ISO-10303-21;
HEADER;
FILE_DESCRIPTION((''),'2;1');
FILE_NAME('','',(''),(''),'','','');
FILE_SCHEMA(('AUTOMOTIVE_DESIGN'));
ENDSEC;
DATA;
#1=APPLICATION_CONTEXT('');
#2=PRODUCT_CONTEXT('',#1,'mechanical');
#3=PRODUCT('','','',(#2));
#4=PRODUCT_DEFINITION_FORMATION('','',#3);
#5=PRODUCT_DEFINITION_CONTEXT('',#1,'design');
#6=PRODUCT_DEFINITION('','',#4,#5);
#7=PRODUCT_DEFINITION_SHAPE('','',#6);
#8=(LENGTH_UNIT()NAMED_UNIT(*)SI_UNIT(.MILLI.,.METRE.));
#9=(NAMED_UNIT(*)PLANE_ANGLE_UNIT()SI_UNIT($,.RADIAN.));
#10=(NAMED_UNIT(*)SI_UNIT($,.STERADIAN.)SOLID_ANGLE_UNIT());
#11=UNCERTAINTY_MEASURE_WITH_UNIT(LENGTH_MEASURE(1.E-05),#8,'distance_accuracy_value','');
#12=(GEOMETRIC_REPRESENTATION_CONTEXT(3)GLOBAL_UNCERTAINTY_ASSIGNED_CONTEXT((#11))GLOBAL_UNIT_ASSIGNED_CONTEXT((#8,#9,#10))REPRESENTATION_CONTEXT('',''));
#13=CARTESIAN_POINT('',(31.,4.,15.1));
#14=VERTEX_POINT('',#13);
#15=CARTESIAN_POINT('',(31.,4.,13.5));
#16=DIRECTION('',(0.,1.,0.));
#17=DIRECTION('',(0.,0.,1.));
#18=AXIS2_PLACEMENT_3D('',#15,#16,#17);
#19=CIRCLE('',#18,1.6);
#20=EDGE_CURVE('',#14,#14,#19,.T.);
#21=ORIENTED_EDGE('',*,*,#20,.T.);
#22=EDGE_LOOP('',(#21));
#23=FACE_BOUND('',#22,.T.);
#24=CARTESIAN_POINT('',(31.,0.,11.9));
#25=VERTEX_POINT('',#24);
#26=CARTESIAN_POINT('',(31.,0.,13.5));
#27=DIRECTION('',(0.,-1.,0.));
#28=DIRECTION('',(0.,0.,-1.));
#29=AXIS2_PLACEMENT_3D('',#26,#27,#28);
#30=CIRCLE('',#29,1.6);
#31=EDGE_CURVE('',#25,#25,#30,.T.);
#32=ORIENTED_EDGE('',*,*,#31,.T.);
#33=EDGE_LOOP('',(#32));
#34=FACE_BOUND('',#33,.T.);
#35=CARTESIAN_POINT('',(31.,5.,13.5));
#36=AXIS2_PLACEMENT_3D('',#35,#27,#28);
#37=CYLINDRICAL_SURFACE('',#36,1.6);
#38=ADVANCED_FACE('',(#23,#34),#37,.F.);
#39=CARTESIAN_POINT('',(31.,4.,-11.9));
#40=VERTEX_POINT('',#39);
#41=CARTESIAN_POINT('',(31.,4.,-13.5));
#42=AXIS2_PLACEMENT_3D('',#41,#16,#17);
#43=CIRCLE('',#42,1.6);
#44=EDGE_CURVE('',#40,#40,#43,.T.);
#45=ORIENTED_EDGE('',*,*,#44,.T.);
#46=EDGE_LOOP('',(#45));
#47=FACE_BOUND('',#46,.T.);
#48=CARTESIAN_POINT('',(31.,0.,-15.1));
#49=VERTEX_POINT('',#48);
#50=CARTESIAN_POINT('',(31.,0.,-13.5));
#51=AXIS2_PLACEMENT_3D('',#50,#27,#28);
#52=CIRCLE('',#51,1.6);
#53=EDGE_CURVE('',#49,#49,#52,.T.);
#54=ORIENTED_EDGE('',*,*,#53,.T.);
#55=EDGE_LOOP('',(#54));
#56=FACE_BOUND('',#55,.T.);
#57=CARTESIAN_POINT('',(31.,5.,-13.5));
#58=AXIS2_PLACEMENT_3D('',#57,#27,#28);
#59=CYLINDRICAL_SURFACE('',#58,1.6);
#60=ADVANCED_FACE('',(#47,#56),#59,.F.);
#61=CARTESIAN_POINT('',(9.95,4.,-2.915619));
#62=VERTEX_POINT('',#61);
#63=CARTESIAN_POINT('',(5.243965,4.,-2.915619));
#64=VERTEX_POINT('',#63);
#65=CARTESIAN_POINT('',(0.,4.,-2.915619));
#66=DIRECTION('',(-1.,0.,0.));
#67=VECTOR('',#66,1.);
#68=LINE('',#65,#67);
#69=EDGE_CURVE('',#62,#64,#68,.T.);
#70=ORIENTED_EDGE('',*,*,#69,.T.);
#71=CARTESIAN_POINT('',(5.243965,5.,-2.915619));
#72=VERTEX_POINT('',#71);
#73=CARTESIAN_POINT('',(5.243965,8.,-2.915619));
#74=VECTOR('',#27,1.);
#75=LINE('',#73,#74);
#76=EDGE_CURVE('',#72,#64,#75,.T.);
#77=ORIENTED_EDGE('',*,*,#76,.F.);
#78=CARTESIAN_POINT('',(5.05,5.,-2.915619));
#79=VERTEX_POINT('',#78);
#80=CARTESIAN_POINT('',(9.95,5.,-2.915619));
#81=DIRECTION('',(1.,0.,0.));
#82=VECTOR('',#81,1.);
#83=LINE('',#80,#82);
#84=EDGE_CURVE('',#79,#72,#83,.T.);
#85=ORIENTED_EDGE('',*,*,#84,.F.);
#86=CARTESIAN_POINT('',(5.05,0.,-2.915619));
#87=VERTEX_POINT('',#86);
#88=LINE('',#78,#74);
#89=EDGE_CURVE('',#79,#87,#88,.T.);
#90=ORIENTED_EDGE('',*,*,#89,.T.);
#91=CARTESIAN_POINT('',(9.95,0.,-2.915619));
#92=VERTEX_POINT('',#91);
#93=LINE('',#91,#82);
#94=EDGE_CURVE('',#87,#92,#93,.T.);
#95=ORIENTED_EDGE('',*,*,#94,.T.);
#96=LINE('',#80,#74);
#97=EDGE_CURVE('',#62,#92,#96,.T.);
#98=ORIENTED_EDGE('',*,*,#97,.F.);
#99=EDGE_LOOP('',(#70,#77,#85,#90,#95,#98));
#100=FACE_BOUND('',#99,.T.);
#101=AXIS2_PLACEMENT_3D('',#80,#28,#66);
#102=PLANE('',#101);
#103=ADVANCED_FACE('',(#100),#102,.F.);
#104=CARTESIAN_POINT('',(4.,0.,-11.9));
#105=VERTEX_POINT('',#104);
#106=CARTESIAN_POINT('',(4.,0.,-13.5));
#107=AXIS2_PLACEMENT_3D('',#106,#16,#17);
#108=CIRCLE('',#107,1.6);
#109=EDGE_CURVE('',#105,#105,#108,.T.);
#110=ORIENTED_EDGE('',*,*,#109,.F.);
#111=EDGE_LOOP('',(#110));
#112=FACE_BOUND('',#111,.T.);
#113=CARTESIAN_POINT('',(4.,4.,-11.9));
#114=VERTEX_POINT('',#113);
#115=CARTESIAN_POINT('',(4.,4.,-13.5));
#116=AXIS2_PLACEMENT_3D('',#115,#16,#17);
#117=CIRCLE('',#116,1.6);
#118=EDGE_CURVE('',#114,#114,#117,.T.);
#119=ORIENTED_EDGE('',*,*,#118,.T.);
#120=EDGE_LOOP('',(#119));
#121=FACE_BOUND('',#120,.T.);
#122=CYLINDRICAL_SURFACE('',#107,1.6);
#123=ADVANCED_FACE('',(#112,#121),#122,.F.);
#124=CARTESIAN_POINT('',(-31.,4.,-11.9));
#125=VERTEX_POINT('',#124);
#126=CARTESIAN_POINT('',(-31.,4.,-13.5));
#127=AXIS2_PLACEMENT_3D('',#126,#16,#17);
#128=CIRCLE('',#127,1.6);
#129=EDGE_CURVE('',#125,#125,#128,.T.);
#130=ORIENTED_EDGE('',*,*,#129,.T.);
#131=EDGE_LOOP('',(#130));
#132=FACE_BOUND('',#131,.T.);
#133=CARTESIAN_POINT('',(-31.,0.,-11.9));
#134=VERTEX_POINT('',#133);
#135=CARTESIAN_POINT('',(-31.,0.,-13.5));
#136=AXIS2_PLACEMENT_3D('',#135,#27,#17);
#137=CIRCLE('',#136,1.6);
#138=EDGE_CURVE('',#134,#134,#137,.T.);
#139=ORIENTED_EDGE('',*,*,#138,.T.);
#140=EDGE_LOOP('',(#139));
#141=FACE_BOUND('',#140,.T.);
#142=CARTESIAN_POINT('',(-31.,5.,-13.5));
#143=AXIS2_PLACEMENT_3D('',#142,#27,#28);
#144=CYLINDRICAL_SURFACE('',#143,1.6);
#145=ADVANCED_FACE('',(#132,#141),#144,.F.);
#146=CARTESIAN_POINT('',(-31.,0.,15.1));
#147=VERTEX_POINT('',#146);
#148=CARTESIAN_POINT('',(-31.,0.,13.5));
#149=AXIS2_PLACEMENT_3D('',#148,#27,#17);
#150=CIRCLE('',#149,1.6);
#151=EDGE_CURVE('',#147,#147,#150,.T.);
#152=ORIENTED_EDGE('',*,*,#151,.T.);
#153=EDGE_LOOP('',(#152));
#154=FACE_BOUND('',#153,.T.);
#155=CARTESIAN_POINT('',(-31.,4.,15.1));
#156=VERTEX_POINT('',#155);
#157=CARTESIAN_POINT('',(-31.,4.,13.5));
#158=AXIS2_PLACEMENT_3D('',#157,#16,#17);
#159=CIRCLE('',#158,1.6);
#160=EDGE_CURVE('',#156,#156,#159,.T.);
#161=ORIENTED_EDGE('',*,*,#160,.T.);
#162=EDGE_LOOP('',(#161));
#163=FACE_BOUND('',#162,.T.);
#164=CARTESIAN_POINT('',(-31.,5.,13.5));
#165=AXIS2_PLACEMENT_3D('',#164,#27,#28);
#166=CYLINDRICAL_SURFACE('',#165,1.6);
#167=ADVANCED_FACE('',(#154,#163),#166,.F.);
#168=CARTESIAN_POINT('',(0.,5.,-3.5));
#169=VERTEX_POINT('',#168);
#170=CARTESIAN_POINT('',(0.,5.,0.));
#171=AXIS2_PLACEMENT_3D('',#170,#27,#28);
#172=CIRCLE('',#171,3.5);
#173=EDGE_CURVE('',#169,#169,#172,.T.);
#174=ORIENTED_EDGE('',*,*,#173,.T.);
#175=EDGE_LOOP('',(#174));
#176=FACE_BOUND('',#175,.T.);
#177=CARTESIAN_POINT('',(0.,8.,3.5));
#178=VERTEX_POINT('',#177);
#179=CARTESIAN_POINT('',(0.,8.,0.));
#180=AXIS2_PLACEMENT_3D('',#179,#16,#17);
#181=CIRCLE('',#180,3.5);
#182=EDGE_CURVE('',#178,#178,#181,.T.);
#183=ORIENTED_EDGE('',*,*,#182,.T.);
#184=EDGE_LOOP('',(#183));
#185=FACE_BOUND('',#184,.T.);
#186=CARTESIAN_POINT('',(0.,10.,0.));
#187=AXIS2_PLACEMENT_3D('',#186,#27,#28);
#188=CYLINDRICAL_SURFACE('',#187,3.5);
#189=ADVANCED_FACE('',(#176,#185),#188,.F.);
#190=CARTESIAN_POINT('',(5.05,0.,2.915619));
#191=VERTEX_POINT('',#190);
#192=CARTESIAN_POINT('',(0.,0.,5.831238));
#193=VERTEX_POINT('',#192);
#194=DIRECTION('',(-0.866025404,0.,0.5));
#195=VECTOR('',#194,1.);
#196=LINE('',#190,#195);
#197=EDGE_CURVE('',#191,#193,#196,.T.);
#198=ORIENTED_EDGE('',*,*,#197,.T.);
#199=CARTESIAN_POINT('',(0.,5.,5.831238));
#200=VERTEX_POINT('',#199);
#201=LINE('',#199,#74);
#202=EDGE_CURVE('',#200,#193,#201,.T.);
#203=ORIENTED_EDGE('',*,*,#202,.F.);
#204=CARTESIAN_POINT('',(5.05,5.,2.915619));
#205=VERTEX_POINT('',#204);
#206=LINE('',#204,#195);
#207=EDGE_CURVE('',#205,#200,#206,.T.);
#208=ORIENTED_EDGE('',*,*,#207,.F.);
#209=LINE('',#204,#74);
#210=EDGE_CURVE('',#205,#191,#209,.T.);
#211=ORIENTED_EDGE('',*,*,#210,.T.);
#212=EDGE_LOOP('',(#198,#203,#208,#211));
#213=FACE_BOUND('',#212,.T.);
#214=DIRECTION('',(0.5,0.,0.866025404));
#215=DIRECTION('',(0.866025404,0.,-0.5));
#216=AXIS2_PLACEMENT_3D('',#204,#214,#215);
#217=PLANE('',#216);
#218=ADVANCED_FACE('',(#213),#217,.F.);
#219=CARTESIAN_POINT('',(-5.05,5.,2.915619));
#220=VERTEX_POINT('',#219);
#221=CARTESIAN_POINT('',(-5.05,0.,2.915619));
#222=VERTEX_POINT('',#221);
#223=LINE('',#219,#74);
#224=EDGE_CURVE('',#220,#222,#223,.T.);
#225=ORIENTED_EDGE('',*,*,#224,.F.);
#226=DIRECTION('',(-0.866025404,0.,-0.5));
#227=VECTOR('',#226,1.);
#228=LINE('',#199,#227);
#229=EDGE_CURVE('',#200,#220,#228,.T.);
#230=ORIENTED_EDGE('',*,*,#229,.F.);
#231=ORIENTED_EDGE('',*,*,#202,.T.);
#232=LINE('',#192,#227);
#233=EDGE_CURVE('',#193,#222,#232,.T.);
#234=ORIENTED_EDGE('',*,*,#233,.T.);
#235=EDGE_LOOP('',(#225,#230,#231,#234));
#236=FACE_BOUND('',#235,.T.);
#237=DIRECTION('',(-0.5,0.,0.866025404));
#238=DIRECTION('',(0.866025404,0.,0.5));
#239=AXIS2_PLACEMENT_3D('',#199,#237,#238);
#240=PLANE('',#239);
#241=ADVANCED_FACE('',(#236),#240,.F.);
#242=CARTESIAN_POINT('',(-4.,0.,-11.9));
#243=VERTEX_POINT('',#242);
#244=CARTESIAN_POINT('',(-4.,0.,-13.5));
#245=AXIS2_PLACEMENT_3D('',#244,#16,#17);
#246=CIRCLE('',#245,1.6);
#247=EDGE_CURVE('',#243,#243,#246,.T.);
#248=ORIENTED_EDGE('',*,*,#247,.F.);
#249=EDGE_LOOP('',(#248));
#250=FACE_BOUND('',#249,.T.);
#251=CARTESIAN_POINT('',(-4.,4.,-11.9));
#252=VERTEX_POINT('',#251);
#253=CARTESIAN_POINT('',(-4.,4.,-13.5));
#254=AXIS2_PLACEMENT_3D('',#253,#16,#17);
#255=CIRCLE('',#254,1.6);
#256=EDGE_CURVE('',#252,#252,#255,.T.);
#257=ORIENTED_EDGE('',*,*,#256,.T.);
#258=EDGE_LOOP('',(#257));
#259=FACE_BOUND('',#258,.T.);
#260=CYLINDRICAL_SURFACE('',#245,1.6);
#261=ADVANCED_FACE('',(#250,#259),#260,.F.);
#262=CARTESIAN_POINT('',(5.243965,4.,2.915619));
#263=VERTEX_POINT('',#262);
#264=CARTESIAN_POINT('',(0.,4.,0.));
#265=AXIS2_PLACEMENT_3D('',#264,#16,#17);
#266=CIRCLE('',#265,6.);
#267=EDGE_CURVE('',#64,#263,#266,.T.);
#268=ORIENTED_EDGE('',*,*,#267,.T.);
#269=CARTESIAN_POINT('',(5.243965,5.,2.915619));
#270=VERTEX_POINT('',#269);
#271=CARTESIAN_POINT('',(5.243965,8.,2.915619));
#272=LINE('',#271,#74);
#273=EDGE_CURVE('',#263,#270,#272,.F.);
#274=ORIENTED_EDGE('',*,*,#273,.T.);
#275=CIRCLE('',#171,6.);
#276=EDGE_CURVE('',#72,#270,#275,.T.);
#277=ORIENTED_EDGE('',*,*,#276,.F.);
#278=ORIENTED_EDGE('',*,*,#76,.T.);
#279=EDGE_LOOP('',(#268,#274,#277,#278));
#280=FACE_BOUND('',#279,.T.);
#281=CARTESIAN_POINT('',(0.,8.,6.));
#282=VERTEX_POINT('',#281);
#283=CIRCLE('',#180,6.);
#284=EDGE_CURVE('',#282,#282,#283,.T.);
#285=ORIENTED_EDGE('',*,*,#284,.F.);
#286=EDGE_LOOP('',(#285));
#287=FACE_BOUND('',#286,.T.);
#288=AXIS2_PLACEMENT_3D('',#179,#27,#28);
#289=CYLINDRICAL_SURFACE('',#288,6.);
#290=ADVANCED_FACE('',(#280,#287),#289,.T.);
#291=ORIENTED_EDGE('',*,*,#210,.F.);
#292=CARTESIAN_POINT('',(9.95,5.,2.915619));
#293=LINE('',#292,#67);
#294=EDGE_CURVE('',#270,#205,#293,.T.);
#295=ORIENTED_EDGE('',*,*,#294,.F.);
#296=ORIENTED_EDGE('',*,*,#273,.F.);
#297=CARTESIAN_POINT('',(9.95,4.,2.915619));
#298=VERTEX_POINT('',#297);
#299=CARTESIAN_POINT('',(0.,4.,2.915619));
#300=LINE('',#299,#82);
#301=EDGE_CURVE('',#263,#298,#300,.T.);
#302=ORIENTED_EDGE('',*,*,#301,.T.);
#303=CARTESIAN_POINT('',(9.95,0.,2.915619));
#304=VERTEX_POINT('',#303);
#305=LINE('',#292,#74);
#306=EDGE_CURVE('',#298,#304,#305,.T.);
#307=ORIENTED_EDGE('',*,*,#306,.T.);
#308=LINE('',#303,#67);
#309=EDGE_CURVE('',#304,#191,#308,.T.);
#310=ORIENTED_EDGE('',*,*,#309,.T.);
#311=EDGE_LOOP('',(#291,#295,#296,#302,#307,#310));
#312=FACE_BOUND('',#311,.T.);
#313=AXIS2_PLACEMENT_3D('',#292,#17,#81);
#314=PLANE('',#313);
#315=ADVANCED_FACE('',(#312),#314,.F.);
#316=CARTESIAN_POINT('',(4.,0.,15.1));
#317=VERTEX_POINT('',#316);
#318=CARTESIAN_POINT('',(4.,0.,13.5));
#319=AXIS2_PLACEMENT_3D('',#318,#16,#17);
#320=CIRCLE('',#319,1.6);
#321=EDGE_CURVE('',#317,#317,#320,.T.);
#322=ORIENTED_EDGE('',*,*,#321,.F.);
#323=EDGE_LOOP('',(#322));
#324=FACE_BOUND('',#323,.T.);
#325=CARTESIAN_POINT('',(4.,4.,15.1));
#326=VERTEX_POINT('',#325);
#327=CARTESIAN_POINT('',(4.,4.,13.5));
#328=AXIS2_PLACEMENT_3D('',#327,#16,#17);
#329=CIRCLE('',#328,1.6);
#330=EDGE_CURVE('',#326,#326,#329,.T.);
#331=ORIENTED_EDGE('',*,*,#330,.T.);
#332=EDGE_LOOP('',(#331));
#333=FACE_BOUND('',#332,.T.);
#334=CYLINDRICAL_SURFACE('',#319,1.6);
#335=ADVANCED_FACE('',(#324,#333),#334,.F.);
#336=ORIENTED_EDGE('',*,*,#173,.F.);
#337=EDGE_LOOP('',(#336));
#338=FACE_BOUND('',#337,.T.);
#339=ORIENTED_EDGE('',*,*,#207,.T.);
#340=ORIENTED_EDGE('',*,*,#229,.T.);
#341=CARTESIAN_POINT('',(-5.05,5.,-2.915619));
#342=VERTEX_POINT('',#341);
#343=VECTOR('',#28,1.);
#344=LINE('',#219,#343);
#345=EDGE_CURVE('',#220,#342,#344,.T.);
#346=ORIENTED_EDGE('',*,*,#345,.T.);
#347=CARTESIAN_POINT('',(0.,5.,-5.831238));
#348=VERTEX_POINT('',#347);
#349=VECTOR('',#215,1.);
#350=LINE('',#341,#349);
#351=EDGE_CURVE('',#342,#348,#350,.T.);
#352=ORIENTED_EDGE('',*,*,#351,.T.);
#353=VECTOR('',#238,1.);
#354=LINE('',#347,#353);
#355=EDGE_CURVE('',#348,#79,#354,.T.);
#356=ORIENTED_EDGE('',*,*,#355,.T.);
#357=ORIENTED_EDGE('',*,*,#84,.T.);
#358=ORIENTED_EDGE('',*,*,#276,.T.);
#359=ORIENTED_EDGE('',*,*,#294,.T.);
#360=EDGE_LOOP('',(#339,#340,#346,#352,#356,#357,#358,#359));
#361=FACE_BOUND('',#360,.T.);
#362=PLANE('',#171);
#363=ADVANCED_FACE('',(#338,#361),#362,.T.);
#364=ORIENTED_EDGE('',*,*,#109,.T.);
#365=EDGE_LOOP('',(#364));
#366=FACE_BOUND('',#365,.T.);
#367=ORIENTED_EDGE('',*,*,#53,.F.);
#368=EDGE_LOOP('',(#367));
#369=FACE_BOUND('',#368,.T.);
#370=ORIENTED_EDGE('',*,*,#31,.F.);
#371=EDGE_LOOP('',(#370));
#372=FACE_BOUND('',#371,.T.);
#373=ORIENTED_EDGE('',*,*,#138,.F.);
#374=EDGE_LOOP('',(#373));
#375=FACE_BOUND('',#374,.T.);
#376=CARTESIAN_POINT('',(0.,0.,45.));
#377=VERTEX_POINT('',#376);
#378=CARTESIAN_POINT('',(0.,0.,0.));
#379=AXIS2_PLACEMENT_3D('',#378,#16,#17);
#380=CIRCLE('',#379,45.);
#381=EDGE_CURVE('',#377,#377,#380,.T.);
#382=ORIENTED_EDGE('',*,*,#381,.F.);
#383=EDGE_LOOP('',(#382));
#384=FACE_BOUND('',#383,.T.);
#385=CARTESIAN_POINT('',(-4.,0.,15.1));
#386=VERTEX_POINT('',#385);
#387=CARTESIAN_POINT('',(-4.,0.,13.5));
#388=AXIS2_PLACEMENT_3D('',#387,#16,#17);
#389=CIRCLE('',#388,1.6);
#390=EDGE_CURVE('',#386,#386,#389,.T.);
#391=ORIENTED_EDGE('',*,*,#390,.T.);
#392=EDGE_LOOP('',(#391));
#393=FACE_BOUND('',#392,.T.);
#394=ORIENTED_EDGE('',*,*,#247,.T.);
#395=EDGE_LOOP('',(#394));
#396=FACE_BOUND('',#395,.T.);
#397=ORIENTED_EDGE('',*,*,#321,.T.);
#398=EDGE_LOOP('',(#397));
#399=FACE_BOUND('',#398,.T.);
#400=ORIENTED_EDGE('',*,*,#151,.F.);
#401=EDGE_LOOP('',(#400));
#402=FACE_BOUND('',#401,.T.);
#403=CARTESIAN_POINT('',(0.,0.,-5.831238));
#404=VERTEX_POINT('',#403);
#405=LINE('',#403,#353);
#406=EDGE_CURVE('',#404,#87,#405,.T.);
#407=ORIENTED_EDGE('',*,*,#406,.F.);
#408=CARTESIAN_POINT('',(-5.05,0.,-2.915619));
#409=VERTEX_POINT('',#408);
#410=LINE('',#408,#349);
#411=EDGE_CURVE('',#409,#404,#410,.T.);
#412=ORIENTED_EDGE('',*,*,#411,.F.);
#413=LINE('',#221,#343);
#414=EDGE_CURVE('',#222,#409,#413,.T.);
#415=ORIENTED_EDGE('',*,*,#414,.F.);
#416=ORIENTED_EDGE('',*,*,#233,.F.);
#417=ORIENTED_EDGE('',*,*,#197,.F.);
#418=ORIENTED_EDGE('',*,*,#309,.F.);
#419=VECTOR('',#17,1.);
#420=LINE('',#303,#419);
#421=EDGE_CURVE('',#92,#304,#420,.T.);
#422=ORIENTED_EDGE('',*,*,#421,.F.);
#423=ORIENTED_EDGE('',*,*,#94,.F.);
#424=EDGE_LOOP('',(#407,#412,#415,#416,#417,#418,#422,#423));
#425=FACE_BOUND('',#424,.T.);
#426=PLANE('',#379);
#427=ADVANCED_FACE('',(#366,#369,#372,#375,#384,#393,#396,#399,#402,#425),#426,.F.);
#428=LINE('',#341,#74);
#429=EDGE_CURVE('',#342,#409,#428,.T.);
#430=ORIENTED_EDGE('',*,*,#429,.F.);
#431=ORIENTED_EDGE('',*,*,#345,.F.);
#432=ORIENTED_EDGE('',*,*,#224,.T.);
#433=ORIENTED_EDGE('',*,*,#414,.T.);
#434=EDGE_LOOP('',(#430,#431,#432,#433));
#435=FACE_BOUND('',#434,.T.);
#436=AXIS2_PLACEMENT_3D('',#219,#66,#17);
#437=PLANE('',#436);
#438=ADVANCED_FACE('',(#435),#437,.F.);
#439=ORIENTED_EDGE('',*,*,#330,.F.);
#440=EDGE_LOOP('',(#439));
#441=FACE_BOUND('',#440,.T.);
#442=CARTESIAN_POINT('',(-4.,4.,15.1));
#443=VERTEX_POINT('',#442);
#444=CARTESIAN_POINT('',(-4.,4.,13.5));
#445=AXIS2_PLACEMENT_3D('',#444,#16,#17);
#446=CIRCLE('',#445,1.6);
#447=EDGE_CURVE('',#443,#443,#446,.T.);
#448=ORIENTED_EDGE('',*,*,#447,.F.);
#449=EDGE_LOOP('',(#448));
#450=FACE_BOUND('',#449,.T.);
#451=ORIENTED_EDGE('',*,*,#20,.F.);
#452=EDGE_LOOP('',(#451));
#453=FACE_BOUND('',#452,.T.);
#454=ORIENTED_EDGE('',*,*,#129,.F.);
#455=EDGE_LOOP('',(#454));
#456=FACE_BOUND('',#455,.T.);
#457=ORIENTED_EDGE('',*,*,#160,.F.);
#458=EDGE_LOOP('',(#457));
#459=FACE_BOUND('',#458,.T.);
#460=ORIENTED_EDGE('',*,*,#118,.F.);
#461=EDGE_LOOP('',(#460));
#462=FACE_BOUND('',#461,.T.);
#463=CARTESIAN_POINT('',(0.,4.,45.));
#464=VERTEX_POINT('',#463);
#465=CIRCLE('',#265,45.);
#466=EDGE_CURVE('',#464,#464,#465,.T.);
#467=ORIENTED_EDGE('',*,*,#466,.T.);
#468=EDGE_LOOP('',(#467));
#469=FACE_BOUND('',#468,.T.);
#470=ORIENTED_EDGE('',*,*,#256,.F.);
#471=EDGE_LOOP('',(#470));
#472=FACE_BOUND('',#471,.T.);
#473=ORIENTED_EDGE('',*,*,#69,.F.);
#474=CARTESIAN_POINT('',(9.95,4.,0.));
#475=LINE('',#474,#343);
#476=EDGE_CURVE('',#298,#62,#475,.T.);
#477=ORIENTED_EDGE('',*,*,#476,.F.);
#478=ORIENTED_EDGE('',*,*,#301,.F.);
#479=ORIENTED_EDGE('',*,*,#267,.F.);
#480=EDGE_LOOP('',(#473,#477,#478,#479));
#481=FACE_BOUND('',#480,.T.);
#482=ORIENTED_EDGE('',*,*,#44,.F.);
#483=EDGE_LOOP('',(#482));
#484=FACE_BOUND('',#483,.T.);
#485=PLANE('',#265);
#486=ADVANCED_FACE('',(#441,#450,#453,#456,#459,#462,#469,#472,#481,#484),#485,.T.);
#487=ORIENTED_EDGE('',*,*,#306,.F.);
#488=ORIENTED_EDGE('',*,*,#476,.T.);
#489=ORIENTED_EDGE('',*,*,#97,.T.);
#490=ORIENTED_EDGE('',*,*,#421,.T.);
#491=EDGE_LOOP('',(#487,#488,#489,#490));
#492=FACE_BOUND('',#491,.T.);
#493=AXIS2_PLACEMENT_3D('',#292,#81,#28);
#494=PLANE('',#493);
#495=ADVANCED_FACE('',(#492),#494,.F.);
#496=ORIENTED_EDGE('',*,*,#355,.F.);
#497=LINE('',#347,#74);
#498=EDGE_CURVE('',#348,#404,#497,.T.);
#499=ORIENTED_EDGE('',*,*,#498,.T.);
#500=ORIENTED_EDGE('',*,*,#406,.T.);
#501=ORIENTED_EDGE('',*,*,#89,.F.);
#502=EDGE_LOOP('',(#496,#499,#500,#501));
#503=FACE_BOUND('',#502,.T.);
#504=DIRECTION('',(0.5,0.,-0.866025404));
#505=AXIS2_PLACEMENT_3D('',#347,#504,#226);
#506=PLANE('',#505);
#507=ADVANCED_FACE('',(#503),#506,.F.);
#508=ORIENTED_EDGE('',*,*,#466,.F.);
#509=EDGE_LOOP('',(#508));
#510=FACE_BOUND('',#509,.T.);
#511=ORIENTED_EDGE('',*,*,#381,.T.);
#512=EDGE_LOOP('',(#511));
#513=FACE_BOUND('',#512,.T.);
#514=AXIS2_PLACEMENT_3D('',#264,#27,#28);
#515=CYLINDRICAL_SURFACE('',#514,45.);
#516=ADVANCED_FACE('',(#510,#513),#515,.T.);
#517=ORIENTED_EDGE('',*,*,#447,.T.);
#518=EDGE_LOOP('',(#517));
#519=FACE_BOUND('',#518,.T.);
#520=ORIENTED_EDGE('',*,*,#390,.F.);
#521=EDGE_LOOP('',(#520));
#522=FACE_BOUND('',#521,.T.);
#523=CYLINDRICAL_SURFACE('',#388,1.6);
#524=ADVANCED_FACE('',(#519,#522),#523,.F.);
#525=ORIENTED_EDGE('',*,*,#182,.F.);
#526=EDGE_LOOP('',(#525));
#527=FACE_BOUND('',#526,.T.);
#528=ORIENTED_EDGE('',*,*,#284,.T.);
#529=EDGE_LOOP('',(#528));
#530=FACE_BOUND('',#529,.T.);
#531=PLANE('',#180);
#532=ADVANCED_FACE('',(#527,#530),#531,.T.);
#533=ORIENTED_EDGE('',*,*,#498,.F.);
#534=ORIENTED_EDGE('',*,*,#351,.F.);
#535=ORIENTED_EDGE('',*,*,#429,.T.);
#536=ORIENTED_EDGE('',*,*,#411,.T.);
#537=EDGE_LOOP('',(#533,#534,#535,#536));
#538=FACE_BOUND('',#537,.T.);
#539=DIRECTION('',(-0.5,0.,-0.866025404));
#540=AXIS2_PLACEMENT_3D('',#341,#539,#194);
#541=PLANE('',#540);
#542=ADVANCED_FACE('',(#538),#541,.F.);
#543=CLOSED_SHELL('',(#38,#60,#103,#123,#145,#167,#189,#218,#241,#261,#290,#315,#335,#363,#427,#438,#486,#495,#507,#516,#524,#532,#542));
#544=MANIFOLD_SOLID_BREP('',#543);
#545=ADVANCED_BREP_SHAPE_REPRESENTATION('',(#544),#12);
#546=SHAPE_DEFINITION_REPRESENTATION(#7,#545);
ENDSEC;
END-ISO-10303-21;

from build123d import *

# Parameters (mm, degrees)
SKETCH_1_R          = 45
EXTRUDE_1_DEPTH     = 4
SKETCH_13_R         = 6
EXTRUDE_5_DEPTH     = 4
SKETCH_15_R         = 1.6
CUT_EXTRUDE_5_DEPTH = 5
CUT_EXTRUDE_6_DEPTH = 5
SKETCH_20_R         = 3.5
CUT_EXTRUDE_7_DEPTH = 5
SKETCH_21_R         = 1.6
CUT_EXTRUDE_8_DEPTH = 5


with BuildPart() as part:
    # Эскиз1 → Бобышка-Вытянуть1 (new body)
    with BuildSketch(Plane(origin=(0, 0, 0), x_dir=(1, 0, 0), z_dir=(0, 1, 0))):
        Circle(SKETCH_1_R)
    extrude(amount=EXTRUDE_1_DEPTH)

    # Эскиз13 → Бобышка-Вытянуть5 (add)
    with BuildSketch(Plane(origin=(0, 4, 0), x_dir=(1, 0, 0), z_dir=(0, 1, 0))):
        Circle(SKETCH_13_R)
    extrude(amount=EXTRUDE_5_DEPTH)

    # Эскиз15 → Вырез-Вытянуть5 (cut, through all)
    with BuildSketch(Plane(origin=(0, 4, 0), x_dir=(1, 0, 0), z_dir=(0, 1, 0))):
        with Locations((-4, 13.5)):
            Circle(SKETCH_15_R)
        with Locations((-4, -13.5)):
            Circle(SKETCH_15_R)
        with Locations((4, -13.5)):
            Circle(SKETCH_15_R)
        with Locations((4, 13.5)):
            Circle(SKETCH_15_R)
    extrude(amount=-CUT_EXTRUDE_5_DEPTH, mode=Mode.SUBTRACT)

    # Эскиз19 → Вырез-Вытянуть6 (cut)
    with BuildSketch(Plane.XZ):
        Polygon((5.05, 2.915618859), (0, 5.831237719), (-5.05, 2.915618859), (-5.05, -2.915618859), (0, -5.831237719), (5.05, -2.915618859), (9.95, -2.915618859), (9.95, 2.915618859), align=None)
    extrude(amount=-CUT_EXTRUDE_6_DEPTH, mode=Mode.SUBTRACT)

    # Эскиз20 → Вырез-Вытянуть7 (cut)
    with BuildSketch(Plane.XZ.offset(-5)):
        Circle(SKETCH_20_R)
    extrude(amount=-CUT_EXTRUDE_7_DEPTH, mode=Mode.SUBTRACT)

    # Эскиз21 → Вырез-Вытянуть8 (cut)
    with BuildSketch(Plane.XZ):
        with Locations((4, 13.5)):
            Circle(SKETCH_21_R)
        with Locations((4, -13.5)):
            Circle(SKETCH_21_R)
        with Locations((31, 13.5)):
            Circle(SKETCH_21_R)
        with Locations((31, -13.5)):
            Circle(SKETCH_21_R)
        with Locations((-31, 13.5)):
            Circle(SKETCH_21_R)
        with Locations((-31, -13.5)):
            Circle(SKETCH_21_R)
    extrude(amount=-CUT_EXTRUDE_8_DEPTH, mode=Mode.SUBTRACT)


solid = part.part
